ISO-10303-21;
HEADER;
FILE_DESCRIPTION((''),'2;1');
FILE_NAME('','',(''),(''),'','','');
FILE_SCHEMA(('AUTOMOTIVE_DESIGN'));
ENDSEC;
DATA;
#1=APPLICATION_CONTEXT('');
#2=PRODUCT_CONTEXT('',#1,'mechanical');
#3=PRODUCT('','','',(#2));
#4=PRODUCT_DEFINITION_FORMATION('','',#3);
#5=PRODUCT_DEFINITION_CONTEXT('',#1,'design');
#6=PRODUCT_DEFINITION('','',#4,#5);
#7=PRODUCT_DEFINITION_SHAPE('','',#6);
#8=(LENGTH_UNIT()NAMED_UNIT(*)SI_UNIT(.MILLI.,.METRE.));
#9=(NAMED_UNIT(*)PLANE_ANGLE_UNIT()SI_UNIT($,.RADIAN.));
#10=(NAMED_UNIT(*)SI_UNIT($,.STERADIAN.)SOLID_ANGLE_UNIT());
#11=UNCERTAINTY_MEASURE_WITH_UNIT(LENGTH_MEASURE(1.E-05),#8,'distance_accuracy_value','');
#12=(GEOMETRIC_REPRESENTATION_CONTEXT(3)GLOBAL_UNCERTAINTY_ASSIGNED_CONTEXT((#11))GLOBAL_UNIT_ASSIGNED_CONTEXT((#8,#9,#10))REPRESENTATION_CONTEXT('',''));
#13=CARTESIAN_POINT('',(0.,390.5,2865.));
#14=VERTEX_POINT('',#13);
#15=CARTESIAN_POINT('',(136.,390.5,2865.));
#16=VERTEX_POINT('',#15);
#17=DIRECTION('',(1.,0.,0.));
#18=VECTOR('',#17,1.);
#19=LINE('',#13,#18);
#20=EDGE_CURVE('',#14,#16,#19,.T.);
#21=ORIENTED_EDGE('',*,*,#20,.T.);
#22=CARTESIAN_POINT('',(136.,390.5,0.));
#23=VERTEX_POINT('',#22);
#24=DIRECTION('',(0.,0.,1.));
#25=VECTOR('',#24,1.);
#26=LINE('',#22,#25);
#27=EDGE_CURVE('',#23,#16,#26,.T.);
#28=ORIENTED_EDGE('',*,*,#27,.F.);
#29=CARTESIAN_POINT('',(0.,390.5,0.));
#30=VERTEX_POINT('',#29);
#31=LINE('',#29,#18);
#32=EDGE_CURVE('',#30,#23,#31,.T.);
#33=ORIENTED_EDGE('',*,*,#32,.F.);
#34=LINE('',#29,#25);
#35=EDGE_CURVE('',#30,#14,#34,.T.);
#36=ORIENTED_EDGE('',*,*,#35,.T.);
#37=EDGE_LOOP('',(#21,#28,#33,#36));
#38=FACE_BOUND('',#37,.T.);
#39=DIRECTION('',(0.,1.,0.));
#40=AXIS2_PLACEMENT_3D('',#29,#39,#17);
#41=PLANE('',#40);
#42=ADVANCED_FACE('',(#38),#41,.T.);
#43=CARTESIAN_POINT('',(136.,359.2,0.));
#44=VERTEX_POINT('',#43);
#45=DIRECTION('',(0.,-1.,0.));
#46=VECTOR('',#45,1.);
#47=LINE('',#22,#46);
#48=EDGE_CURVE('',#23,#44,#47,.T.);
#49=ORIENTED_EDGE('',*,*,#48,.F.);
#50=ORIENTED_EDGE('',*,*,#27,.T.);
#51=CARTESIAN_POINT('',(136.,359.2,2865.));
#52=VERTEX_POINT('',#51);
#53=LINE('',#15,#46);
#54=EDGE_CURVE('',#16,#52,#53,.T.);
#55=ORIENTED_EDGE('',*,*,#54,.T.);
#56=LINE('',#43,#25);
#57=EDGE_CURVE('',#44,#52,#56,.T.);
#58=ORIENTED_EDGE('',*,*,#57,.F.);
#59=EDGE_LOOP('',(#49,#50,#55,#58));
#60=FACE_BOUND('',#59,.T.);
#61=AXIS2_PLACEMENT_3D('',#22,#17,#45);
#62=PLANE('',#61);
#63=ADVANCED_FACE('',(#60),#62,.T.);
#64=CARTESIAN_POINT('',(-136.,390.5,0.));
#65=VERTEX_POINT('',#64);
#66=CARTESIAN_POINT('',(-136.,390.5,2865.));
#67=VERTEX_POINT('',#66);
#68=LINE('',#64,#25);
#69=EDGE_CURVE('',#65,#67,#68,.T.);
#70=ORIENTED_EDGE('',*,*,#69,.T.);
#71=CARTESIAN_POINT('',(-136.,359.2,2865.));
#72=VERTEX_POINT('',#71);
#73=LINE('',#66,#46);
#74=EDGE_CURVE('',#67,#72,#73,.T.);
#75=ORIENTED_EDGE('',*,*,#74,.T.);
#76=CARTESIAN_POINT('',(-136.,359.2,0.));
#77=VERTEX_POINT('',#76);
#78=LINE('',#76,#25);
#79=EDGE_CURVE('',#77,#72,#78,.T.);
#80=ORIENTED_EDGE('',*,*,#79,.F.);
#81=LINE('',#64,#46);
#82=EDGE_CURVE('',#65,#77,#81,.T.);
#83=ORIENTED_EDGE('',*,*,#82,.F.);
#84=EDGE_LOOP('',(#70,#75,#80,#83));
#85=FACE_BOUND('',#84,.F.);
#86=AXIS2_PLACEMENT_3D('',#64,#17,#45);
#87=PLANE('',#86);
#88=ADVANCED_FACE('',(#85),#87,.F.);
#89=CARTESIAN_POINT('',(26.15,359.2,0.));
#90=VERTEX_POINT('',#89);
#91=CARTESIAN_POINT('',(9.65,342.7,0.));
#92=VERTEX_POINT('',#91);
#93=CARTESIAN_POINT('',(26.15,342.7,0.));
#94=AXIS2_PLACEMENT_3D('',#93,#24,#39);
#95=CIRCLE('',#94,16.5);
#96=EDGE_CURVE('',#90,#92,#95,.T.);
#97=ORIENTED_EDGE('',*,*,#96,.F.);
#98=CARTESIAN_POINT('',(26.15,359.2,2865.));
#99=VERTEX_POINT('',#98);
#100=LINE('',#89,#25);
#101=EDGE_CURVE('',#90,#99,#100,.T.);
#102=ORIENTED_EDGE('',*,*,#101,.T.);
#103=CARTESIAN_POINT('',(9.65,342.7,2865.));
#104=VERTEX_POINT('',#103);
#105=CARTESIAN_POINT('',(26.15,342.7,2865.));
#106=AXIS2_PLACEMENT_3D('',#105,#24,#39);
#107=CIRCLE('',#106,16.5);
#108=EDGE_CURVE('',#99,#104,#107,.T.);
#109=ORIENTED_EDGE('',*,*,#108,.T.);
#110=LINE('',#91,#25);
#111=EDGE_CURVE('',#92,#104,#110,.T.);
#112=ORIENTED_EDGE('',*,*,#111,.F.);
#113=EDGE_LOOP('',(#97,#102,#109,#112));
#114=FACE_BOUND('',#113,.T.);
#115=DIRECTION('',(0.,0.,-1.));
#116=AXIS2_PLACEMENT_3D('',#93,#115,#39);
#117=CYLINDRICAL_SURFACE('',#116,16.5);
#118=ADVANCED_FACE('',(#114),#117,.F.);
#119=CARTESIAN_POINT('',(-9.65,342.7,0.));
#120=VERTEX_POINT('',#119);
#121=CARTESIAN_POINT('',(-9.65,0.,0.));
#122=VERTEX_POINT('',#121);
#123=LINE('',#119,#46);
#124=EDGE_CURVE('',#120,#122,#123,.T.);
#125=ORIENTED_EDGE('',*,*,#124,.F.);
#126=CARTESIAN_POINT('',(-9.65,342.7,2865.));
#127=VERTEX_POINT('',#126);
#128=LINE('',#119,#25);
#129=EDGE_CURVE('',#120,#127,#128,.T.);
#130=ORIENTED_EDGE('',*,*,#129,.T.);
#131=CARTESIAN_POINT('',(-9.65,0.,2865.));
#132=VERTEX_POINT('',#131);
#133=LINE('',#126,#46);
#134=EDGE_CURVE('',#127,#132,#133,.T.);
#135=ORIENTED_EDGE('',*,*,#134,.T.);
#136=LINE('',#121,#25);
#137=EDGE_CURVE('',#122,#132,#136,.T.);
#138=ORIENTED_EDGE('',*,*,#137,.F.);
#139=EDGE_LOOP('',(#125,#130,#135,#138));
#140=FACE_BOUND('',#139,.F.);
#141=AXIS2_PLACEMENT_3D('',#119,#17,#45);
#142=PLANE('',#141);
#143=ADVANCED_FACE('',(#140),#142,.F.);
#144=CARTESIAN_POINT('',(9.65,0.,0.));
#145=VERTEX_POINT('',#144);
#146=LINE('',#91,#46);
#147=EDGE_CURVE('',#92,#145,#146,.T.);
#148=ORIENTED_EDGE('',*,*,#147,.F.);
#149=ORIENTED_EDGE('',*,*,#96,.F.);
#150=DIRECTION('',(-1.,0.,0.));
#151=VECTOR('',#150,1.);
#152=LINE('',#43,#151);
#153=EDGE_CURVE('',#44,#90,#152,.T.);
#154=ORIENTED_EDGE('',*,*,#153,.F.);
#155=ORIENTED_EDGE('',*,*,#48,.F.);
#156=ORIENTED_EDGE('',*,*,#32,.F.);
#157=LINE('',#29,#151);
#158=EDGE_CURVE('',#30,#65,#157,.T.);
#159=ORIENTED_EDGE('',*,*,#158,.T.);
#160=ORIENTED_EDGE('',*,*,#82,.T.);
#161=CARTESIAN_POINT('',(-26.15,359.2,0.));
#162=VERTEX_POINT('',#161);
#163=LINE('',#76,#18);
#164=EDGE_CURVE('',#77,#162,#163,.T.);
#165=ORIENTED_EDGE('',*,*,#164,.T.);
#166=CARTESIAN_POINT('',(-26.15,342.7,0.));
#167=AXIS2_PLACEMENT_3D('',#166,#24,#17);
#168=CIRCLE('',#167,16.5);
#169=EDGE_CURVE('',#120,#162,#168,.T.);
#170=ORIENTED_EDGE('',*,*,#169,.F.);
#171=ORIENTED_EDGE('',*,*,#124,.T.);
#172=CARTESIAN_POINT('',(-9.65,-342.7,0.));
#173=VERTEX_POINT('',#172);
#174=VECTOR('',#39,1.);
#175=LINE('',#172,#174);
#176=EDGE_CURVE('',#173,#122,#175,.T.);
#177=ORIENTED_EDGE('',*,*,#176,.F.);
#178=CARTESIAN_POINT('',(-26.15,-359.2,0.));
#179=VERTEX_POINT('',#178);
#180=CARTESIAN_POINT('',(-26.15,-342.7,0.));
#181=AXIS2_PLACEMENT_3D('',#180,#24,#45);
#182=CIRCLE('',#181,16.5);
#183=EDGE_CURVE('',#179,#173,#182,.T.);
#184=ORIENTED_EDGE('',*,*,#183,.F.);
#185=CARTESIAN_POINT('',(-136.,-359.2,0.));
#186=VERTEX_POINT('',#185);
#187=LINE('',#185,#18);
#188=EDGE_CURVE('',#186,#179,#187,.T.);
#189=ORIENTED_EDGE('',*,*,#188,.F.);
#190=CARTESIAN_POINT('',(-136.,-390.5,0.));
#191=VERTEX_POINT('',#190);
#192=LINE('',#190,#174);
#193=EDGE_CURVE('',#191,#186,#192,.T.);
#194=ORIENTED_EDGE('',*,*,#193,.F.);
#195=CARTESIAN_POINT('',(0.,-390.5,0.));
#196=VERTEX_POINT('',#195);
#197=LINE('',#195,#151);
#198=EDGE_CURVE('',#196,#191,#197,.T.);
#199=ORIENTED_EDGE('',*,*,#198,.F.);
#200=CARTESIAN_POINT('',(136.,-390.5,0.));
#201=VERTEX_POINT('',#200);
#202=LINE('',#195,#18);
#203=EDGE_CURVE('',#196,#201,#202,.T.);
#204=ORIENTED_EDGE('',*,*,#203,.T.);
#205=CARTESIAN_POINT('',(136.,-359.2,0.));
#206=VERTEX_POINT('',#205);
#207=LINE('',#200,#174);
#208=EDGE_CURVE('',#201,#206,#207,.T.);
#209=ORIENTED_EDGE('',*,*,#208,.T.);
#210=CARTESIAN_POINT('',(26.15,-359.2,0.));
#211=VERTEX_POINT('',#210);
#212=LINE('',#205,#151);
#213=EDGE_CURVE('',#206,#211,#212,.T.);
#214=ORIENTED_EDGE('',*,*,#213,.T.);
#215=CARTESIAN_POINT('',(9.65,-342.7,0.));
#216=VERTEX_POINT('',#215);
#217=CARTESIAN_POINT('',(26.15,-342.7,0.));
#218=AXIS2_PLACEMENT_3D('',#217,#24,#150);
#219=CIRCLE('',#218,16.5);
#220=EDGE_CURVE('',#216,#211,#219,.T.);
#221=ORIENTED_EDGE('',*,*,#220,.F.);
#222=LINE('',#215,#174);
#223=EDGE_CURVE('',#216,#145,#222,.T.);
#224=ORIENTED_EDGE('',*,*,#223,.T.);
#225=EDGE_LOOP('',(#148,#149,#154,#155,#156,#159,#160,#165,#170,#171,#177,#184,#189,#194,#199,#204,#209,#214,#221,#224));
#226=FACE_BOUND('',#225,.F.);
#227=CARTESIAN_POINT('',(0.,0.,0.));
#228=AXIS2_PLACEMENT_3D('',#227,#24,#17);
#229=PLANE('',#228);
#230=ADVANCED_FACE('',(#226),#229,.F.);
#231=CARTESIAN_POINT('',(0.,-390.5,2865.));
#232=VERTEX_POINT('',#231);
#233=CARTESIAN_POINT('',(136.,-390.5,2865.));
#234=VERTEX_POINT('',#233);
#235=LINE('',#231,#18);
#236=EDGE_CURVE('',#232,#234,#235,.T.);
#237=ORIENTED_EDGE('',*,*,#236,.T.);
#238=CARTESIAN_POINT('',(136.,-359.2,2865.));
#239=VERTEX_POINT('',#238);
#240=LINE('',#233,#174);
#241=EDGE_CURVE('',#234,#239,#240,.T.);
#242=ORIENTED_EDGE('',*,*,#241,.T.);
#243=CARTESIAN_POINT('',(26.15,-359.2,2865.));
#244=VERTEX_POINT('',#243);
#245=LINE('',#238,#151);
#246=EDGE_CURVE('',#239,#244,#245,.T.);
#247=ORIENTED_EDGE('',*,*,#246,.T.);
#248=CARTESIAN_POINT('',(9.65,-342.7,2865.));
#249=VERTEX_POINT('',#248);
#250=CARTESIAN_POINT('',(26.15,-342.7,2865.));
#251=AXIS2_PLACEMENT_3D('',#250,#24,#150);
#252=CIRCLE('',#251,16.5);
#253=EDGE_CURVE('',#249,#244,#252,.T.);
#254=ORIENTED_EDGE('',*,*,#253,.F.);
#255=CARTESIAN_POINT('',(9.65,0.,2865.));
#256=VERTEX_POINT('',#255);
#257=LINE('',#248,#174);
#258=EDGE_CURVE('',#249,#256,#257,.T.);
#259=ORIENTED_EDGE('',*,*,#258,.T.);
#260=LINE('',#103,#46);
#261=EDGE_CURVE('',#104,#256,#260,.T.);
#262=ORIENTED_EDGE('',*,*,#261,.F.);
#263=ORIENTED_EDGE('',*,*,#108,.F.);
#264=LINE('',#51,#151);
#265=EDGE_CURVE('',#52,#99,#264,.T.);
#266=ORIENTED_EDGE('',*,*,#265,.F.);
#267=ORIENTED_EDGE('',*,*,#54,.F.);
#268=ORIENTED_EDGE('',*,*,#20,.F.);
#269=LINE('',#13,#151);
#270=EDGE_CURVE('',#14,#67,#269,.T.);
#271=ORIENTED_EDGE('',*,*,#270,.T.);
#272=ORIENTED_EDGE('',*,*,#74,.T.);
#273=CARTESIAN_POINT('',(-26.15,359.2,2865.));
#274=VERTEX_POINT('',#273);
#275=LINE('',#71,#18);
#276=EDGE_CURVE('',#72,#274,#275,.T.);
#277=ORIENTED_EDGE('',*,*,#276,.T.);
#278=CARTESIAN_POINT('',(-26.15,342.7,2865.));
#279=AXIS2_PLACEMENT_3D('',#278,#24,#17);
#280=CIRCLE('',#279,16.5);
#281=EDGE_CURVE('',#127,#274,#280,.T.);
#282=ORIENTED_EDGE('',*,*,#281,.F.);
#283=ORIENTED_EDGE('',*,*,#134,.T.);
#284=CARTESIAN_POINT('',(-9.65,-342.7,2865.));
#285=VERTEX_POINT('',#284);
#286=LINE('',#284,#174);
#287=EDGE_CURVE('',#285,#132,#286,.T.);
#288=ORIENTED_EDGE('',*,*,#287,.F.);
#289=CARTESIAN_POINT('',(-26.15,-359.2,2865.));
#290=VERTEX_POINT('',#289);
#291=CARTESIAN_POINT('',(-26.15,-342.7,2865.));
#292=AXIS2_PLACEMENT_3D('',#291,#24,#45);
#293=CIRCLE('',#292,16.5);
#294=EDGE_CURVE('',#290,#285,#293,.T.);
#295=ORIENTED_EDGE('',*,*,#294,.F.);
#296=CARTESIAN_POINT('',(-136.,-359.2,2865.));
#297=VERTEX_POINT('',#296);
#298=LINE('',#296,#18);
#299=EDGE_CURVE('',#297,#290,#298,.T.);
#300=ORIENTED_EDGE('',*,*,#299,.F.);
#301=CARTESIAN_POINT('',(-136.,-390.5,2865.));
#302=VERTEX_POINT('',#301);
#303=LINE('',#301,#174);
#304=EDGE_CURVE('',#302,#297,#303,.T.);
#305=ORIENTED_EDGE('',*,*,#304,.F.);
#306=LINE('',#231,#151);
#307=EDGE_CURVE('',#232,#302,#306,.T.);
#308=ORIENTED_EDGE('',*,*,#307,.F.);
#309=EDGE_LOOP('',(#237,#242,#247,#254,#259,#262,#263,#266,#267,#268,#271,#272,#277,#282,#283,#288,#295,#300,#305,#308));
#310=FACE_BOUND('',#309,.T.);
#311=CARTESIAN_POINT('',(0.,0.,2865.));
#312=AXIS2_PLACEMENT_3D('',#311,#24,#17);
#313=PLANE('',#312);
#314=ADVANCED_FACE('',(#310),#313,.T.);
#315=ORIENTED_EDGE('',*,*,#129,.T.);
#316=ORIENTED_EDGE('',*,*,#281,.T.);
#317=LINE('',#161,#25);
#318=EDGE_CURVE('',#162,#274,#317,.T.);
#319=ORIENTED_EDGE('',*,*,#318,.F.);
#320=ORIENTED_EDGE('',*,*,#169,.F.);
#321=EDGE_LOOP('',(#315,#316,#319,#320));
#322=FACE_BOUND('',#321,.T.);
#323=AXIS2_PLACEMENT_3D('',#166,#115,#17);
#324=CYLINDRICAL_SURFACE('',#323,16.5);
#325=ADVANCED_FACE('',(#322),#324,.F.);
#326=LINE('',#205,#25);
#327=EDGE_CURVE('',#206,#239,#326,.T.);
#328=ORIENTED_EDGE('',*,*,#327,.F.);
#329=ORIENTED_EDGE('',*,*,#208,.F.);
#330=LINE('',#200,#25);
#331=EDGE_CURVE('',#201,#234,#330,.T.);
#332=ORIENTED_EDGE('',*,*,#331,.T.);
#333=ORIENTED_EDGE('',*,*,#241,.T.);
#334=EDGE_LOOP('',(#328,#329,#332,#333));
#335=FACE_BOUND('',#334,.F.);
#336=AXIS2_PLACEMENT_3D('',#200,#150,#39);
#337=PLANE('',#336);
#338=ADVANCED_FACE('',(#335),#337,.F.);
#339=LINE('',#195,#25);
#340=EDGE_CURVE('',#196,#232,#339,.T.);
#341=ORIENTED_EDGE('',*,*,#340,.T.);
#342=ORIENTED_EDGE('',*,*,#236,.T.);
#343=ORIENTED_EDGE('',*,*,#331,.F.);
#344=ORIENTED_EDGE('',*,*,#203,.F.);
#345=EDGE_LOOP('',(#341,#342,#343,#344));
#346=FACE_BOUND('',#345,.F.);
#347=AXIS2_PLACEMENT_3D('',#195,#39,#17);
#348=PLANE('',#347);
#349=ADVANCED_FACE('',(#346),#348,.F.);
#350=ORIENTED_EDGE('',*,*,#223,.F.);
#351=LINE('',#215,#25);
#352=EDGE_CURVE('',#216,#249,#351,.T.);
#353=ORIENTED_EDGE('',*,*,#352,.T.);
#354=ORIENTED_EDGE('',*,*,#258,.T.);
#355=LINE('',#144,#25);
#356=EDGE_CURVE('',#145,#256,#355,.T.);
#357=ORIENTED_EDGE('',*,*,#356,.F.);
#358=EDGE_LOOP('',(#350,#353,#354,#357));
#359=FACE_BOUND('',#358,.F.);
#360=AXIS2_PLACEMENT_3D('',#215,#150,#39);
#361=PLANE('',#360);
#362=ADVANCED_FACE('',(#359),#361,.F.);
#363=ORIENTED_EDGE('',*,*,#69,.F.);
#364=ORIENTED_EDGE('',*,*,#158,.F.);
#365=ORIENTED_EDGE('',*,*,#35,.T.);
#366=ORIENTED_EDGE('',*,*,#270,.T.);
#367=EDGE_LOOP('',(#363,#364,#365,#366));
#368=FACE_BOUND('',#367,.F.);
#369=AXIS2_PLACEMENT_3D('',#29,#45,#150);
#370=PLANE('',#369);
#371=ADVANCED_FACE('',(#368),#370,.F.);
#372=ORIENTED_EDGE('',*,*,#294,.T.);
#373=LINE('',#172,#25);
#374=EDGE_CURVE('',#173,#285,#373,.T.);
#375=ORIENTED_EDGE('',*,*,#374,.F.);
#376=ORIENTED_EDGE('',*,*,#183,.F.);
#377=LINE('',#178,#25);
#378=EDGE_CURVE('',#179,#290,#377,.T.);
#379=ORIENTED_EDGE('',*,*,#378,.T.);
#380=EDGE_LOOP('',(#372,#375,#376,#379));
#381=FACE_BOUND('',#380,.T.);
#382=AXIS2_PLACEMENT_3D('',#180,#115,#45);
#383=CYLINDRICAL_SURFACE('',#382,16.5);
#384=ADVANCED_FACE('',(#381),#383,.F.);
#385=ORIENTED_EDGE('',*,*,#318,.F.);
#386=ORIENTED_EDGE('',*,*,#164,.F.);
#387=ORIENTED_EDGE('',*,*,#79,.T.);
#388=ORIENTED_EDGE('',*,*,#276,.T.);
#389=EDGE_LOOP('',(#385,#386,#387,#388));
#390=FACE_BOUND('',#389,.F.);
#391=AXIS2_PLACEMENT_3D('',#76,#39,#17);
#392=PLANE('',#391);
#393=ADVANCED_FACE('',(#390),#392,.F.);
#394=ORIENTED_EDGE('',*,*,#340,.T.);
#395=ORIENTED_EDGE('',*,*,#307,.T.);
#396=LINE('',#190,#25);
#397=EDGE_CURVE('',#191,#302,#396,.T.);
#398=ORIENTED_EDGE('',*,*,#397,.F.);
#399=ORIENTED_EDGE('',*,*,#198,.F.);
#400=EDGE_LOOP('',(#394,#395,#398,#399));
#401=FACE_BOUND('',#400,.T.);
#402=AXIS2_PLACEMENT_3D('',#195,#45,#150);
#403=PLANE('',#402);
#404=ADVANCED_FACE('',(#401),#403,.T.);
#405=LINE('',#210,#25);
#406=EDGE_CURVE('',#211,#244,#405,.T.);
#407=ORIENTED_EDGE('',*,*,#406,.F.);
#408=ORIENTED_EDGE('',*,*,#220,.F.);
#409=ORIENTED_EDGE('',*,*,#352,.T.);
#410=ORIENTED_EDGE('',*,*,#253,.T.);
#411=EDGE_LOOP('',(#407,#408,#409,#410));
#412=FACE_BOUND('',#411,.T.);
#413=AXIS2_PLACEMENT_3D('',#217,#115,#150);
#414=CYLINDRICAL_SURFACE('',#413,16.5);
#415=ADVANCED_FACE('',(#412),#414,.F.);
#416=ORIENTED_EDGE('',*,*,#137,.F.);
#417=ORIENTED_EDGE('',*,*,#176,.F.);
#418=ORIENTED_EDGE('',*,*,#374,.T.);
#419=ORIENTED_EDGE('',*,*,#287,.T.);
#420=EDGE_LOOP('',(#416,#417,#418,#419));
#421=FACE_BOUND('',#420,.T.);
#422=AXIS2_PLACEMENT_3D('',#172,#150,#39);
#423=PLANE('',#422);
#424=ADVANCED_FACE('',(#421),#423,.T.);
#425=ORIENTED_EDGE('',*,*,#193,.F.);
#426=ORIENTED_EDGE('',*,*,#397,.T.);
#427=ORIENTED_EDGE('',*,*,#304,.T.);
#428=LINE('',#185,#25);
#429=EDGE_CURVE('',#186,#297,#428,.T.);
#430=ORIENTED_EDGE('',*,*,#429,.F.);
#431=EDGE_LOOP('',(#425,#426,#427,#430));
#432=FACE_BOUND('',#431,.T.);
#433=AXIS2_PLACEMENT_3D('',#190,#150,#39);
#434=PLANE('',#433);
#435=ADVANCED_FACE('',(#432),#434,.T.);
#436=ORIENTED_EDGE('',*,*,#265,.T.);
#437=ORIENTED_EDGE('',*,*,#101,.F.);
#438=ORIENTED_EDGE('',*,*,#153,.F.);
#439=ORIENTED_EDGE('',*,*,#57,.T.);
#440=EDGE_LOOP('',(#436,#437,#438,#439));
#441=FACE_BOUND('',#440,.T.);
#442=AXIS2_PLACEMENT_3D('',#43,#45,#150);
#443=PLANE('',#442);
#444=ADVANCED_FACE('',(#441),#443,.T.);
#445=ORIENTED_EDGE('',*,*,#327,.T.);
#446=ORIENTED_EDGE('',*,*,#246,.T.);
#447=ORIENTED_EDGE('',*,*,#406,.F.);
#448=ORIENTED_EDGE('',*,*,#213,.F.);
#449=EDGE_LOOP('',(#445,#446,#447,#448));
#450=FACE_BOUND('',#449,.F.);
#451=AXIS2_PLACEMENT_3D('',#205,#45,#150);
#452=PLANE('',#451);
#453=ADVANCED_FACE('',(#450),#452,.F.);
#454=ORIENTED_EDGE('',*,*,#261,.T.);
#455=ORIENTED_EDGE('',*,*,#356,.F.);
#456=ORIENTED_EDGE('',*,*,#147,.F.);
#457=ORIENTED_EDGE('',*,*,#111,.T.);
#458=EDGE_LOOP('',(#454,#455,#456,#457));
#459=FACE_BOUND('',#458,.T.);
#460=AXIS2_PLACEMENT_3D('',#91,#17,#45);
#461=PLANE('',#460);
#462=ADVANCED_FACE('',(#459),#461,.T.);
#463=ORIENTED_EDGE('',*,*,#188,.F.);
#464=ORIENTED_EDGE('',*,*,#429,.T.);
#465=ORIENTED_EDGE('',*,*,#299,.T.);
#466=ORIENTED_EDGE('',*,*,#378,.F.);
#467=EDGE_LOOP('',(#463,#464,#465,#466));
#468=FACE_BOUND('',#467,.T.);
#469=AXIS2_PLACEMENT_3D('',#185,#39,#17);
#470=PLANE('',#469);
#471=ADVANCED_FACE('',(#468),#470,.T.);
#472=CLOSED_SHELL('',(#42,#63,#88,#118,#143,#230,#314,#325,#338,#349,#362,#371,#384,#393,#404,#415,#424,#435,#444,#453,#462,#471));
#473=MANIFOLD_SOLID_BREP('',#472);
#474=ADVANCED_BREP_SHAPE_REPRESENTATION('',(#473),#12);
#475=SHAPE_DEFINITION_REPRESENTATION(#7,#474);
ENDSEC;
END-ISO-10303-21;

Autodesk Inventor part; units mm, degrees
ref_plane "YZ Plane" through (0, 0, 0) normal (1, 0, 0) x (0, 1, 0)
ref_plane "Start plane" through (0, 0, 0) normal (0, 0, 1) x (1, 0, 0)
ref_plane "End plane" through (0, 0, 2865) normal (0, 0, 1) x (1, 0, 0)
sketch "Sketch" plane through (0, 0, 0) normal (0, 0, 1) x (1, 0, 0)
  line L0 (-136, -390.5) -> (-136, -359.2)
  line L1 (-136, -359.2) -> (-26.15, -359.2)
  line L2 (-9.65, -342.7) -> (-9.65, 0)
  line L3 (-9.65, 0) -> (0, 0) construction
  line L4 (0, 0) -> (0, -390.5) construction
  line L5 (0, -390.5) -> (-136, -390.5)
  line L6 (-60, 0) -> (80, 0) construction
  line L7 (0, -60) -> (0, 80) construction
  line L8 (136, -390.5) -> (136, -359.2)
  line L9 (136, -359.2) -> (26.15, -359.2)
  line L10 (9.65, -342.7) -> (9.65, 0)
  line L11 (9.65, 0) -> (0, 0) construction
  line L12 (0, -390.5) -> (136, -390.5)
  line L13 (-136, 390.5) -> (-136, 359.2)
  line L14 (-136, 359.2) -> (-26.15, 359.2)
  line L15 (-9.65, 342.7) -> (-9.65, 0)
  line L16 (0, 390.5) -> (-136, 390.5)
  line L17 (136, 390.5) -> (136, 359.2)
  line L18 (136, 359.2) -> (26.15, 359.2)
  line L19 (0, 390.5) -> (136, 390.5)
  line L20 (9.65, 342.7) -> (9.65, 0)
  arc A0 (-9.65, 342.7) -> (-26.15, 359.2) centre (-26.15, 342.7) ccw
  arc A1 (26.15, 359.2) -> (9.65, 342.7) centre (26.15, 342.7) ccw
  arc A2 (9.65, -342.7) -> (26.15, -359.2) centre (26.15, -342.7) ccw
  arc A3 (-26.15, -359.2) -> (-9.65, -342.7) centre (-26.15, -342.7) ccw
  line L21 (0, 108) -> (0, -88) construction
  line L22 (-88, 0) -> (108, 0) construction
  point P0 (-9.65, -359.2)
  point P1 (9.65, -359.2)
  point P2 (-9.65, 359.2)
  point P3 (9.65, 359.2)
  dimension "d1" = 390.5
  dimension "d2" = 31.3
  dimension "d3" = 136
  dimension "d4" = 9.65
  dimension "d10" = 16.5
extrude "Body" add sketch "Sketch" along normal up to surface (2865 mm away) from surface at 0
sketch "Sketch4" plane through (0, 0, 0) normal (0, 0, 1) x (1, 0, 0)
  line L0 (0, 0) -> (10, 0)
ref_plane "Work Plane3" through (0, 0, 0) normal (0, -1, 0) x (1, 0, 0)
sketch "Sketch5" plane through (0, 0, 0) normal (0, -1, 0) x (1, 0, 0)
  line L0 (-2, 0) -> (12, 0) projected
  line L1 (-2, 2865) -> (12, 2865) projected
  dimension "d14" = 2865
equation "\"d1\" = 0.5 * G_H"
equation "\"d2\" = G_T1"
equation "\"d3\" = 0.5 * G_W"
equation "\"d4\" = 0.5 * G_T"
equation "\"d10\" = G_IR"
equation "\"d5\" = G_L"
equation "\"G_W\" = 272"
equation "\"G_H\" = 781"
equation "\"G_T\" = 19.3"
equation "\"G_T1\" = 31.3"
equation "\"G_IR\" = 16.5"
equation "\"G_L\" = d14"
equation "\"G_OFFSET_START\" = 0"
equation "\"G_OFFSET_END\" = 0"
equation "\"d12\" = G_OFFSET_END + B_L"
equation "\"B_L\" = 2865"
properties part number "AS 3679-1990 - 760 UB - 244 - 2865" material "Steel, Mild"
